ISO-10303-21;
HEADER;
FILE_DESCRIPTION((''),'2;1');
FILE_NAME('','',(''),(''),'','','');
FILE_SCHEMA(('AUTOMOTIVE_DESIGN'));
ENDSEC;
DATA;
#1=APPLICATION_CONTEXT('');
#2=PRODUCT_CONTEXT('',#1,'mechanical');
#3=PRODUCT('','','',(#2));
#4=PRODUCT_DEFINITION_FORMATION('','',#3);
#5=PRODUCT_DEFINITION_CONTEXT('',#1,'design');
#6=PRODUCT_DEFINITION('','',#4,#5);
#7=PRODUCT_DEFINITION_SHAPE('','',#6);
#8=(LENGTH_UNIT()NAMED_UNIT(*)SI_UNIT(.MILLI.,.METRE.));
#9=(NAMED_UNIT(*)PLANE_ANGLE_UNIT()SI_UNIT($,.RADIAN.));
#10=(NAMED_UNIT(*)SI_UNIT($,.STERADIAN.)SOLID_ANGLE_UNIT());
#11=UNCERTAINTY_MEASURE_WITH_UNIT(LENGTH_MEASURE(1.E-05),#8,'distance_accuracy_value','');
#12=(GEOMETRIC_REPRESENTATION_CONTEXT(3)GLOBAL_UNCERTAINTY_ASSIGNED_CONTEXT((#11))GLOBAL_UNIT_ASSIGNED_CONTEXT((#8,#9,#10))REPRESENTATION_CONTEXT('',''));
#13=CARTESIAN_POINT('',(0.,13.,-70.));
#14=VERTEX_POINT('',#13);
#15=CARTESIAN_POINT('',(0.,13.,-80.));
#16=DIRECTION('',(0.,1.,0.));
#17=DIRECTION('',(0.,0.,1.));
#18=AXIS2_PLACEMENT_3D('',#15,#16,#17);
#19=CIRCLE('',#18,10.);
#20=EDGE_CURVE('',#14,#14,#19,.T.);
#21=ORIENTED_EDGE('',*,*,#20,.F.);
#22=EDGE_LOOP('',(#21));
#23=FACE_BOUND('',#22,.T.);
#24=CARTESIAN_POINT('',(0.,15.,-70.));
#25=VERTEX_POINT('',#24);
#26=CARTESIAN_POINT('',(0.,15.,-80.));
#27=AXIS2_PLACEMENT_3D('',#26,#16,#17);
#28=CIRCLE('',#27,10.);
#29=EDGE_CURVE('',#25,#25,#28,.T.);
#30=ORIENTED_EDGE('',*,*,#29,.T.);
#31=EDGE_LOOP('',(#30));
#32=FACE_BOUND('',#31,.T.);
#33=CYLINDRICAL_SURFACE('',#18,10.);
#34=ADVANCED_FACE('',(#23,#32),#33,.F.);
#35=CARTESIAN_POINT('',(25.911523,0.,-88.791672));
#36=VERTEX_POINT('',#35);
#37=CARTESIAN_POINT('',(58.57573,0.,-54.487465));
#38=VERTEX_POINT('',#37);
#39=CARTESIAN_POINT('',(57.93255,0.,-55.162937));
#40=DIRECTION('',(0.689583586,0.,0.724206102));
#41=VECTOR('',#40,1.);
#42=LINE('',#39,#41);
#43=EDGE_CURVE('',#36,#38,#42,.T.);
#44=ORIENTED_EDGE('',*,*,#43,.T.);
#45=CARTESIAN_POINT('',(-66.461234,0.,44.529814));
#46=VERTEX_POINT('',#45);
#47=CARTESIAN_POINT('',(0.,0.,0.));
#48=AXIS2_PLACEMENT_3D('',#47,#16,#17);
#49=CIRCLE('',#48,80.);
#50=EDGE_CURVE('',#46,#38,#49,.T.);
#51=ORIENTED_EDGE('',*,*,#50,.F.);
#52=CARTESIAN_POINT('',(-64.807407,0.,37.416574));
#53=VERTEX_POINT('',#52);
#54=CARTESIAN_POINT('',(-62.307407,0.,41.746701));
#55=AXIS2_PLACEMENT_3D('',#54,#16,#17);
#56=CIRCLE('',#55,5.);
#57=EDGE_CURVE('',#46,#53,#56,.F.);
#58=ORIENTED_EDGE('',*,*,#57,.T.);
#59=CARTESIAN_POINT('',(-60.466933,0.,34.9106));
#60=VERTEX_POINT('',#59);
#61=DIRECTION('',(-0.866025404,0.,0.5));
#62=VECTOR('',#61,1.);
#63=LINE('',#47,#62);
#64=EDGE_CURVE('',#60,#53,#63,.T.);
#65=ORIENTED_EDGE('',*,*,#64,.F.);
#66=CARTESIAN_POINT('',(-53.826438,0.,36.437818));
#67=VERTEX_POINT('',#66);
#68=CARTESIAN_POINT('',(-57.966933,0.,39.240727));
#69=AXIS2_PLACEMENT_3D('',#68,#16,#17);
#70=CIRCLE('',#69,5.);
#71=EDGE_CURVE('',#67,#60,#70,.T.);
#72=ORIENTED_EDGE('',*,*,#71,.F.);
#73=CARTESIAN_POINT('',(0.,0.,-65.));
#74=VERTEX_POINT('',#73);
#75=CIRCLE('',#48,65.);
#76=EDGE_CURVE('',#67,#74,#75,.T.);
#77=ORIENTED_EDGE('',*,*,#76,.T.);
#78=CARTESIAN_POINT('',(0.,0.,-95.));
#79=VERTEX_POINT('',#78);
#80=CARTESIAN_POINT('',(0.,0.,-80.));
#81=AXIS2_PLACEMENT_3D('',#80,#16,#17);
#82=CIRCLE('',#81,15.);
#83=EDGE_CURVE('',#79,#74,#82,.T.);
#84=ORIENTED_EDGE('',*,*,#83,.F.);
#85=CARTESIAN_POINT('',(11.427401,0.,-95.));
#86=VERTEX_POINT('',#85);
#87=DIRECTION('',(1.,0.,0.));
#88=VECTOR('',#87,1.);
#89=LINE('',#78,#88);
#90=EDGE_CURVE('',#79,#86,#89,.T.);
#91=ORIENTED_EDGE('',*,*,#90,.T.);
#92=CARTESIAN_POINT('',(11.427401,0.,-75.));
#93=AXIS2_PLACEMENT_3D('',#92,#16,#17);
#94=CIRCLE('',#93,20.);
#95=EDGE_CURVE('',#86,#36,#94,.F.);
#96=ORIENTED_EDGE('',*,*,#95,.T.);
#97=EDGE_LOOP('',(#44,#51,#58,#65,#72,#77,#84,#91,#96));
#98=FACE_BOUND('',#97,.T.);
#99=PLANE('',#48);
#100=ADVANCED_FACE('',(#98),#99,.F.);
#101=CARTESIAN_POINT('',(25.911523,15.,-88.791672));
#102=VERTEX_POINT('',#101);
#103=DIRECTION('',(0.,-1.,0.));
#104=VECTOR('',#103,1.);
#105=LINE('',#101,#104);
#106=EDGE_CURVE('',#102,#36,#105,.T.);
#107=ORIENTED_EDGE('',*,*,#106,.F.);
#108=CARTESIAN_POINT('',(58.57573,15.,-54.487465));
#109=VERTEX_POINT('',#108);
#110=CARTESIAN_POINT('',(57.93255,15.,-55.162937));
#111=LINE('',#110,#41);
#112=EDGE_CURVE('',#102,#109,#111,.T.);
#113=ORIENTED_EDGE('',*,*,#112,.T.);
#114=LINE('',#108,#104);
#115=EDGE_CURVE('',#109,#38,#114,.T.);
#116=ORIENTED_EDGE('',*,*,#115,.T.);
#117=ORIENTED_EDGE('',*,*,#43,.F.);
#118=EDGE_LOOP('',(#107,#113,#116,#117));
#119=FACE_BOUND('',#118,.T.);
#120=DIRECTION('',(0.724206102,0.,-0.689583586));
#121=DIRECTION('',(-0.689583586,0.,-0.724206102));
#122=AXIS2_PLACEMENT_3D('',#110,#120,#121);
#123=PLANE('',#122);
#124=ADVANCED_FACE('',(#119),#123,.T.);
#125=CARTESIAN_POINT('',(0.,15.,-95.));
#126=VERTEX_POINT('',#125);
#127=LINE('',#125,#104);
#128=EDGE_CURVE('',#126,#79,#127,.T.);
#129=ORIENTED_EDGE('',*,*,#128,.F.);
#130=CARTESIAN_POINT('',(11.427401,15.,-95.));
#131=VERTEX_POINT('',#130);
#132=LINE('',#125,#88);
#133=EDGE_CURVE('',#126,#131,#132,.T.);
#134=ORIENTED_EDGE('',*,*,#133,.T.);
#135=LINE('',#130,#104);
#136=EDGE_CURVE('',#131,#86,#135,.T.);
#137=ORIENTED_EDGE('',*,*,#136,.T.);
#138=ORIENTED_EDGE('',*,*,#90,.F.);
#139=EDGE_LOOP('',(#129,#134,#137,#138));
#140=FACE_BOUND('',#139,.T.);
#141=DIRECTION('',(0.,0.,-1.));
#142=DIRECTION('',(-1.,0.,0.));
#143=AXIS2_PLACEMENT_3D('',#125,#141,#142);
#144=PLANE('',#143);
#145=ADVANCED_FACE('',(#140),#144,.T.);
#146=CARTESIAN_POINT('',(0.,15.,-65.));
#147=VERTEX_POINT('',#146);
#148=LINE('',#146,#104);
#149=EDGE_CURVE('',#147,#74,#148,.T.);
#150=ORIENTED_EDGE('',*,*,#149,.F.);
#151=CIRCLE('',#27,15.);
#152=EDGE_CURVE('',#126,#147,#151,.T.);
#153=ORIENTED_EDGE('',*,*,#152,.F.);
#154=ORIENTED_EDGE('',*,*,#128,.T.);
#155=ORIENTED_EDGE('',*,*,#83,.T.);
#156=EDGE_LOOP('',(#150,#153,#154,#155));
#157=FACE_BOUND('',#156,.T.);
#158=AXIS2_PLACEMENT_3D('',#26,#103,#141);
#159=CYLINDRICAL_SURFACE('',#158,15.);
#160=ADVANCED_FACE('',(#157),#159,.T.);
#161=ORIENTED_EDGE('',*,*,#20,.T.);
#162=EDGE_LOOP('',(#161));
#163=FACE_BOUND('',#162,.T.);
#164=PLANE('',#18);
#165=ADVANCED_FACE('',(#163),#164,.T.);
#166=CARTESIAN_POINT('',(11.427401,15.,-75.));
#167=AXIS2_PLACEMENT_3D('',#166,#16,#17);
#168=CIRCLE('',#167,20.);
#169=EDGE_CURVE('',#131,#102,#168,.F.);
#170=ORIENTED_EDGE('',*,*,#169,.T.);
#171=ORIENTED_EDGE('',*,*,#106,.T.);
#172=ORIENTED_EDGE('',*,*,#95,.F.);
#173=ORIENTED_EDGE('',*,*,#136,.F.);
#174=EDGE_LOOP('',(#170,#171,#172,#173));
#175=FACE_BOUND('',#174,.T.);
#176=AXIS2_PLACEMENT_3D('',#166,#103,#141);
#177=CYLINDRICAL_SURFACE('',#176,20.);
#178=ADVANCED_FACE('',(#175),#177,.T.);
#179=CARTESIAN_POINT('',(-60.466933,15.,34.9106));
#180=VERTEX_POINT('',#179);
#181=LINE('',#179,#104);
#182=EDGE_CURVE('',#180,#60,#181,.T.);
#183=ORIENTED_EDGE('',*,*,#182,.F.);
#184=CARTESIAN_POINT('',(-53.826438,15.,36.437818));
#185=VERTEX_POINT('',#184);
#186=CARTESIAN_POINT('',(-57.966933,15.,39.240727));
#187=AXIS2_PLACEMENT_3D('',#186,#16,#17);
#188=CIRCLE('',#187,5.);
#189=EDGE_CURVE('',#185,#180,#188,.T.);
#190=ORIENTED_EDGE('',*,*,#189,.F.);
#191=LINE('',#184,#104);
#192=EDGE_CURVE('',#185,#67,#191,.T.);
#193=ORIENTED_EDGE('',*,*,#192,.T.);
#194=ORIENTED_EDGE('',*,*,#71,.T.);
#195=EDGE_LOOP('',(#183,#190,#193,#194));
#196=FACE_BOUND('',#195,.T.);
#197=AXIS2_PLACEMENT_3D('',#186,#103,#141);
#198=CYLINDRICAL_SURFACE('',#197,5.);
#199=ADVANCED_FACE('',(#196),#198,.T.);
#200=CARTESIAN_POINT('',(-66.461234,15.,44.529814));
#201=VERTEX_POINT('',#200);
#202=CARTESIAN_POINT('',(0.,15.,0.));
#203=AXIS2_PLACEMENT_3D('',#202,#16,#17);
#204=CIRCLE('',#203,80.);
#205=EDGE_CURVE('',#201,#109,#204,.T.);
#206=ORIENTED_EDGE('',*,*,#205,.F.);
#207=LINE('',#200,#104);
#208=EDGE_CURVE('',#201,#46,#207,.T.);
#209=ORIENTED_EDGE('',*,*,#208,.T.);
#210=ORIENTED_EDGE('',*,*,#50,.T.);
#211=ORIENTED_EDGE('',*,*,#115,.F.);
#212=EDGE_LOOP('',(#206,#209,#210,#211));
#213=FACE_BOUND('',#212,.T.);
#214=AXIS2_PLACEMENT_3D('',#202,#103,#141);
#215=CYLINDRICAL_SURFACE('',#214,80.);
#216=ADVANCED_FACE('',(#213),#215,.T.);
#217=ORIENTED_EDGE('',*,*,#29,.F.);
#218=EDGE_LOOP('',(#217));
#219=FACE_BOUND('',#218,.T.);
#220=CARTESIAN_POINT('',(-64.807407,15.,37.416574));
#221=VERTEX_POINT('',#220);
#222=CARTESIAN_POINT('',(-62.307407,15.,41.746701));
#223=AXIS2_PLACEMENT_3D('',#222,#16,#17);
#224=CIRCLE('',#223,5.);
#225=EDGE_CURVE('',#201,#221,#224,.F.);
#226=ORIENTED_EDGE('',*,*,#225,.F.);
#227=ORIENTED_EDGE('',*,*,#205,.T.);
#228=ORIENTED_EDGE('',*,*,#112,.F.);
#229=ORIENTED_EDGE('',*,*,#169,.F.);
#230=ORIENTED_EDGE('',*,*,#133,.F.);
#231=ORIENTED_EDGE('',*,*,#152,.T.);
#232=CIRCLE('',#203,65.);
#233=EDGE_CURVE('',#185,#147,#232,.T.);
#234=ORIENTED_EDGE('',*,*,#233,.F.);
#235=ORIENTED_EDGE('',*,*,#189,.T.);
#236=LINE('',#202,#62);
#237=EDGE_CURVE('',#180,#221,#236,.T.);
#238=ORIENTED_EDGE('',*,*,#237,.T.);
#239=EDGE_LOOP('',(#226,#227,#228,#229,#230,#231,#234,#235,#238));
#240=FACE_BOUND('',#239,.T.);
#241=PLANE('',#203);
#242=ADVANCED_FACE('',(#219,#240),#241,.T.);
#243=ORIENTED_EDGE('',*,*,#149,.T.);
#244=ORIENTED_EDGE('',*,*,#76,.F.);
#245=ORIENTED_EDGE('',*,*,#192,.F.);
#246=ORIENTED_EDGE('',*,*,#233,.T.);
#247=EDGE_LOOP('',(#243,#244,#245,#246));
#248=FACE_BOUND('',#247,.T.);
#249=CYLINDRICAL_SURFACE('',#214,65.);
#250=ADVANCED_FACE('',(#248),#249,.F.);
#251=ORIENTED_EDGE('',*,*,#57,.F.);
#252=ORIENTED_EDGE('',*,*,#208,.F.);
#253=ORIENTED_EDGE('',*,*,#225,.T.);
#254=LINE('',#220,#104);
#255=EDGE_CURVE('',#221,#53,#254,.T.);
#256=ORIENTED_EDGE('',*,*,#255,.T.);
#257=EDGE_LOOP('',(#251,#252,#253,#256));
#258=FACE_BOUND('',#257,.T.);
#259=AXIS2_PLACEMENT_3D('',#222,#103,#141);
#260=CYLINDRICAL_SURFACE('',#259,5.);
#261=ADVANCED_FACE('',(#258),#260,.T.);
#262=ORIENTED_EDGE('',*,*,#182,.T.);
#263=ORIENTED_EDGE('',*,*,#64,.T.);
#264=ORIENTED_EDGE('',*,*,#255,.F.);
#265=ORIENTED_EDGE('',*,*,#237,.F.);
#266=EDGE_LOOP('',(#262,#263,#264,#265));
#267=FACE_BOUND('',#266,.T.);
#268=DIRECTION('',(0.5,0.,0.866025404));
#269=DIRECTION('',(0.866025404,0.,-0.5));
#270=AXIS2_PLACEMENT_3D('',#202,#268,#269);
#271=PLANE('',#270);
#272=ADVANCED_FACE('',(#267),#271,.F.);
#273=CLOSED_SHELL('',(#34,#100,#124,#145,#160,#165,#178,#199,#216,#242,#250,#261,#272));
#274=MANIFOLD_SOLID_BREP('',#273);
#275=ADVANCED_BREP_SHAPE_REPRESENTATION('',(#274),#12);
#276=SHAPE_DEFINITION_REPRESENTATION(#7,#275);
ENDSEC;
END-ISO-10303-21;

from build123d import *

# Parameters (mm, degrees)
EXTRUDE_4_DEPTH     = 15
SKETCH_3_R          = 10
CUT_EXTRUDE_1_DEPTH = 2


with BuildPart() as part:
    # ｽｹｯﾁ2 → ﾎﾞｽ - 押し出し4 (new body)
    with BuildSketch(Plane(origin=(0, 0, 0), x_dir=(1, 0, 0), z_dir=(0, 1, 0))):
        with BuildLine():
            ThreePointArc((-53.82643789, -36.437818048), (-56.846261527, -34.367935813), (-60.466933112, -34.910600109))
            Line((-60.466933112, -34.910600109), (-64.807406984, -37.416573868))
            ThreePointArc((-64.807406984, -37.416573868), (-67.177509772, -40.614402853), (-66.461234116, -44.529814279))
            ThreePointArc((-66.461234116, -44.529814279), (49.665387485, -62.716419588), (58.57572973, 54.487465409))
            Line((58.57572973, 54.487465409), (57.289371136, 55.838409315))
            Line((57.289371136, 55.838409315), (25.911523347, 88.791671712))
            ThreePointArc((25.911523347, 88.791671712), (19.306695871, 93.382511176), (11.427401304, 95))
            Line((11.427401304, 95), (0, 95))
            ThreePointArc((0, 95), (-15, 80), (0, 65))
            ThreePointArc((0, 65), (57.41714976, -30.467538684), (-53.82643789, -36.437818048))
        make_face()
    extrude(amount=EXTRUDE_4_DEPTH)

    # ｽｹｯﾁ3 → ｶｯﾄ - 押し出し1 (cut)
    with BuildSketch(Plane(origin=(0, 15, 0), x_dir=(1, 0, 0), z_dir=(0, 1, 0))):
        with Locations(Location((0, 80, 0), (0, 0, 270))):
            Circle(SKETCH_3_R)
    extrude(amount=-CUT_EXTRUDE_1_DEPTH, mode=Mode.SUBTRACT)


solid = part.part
